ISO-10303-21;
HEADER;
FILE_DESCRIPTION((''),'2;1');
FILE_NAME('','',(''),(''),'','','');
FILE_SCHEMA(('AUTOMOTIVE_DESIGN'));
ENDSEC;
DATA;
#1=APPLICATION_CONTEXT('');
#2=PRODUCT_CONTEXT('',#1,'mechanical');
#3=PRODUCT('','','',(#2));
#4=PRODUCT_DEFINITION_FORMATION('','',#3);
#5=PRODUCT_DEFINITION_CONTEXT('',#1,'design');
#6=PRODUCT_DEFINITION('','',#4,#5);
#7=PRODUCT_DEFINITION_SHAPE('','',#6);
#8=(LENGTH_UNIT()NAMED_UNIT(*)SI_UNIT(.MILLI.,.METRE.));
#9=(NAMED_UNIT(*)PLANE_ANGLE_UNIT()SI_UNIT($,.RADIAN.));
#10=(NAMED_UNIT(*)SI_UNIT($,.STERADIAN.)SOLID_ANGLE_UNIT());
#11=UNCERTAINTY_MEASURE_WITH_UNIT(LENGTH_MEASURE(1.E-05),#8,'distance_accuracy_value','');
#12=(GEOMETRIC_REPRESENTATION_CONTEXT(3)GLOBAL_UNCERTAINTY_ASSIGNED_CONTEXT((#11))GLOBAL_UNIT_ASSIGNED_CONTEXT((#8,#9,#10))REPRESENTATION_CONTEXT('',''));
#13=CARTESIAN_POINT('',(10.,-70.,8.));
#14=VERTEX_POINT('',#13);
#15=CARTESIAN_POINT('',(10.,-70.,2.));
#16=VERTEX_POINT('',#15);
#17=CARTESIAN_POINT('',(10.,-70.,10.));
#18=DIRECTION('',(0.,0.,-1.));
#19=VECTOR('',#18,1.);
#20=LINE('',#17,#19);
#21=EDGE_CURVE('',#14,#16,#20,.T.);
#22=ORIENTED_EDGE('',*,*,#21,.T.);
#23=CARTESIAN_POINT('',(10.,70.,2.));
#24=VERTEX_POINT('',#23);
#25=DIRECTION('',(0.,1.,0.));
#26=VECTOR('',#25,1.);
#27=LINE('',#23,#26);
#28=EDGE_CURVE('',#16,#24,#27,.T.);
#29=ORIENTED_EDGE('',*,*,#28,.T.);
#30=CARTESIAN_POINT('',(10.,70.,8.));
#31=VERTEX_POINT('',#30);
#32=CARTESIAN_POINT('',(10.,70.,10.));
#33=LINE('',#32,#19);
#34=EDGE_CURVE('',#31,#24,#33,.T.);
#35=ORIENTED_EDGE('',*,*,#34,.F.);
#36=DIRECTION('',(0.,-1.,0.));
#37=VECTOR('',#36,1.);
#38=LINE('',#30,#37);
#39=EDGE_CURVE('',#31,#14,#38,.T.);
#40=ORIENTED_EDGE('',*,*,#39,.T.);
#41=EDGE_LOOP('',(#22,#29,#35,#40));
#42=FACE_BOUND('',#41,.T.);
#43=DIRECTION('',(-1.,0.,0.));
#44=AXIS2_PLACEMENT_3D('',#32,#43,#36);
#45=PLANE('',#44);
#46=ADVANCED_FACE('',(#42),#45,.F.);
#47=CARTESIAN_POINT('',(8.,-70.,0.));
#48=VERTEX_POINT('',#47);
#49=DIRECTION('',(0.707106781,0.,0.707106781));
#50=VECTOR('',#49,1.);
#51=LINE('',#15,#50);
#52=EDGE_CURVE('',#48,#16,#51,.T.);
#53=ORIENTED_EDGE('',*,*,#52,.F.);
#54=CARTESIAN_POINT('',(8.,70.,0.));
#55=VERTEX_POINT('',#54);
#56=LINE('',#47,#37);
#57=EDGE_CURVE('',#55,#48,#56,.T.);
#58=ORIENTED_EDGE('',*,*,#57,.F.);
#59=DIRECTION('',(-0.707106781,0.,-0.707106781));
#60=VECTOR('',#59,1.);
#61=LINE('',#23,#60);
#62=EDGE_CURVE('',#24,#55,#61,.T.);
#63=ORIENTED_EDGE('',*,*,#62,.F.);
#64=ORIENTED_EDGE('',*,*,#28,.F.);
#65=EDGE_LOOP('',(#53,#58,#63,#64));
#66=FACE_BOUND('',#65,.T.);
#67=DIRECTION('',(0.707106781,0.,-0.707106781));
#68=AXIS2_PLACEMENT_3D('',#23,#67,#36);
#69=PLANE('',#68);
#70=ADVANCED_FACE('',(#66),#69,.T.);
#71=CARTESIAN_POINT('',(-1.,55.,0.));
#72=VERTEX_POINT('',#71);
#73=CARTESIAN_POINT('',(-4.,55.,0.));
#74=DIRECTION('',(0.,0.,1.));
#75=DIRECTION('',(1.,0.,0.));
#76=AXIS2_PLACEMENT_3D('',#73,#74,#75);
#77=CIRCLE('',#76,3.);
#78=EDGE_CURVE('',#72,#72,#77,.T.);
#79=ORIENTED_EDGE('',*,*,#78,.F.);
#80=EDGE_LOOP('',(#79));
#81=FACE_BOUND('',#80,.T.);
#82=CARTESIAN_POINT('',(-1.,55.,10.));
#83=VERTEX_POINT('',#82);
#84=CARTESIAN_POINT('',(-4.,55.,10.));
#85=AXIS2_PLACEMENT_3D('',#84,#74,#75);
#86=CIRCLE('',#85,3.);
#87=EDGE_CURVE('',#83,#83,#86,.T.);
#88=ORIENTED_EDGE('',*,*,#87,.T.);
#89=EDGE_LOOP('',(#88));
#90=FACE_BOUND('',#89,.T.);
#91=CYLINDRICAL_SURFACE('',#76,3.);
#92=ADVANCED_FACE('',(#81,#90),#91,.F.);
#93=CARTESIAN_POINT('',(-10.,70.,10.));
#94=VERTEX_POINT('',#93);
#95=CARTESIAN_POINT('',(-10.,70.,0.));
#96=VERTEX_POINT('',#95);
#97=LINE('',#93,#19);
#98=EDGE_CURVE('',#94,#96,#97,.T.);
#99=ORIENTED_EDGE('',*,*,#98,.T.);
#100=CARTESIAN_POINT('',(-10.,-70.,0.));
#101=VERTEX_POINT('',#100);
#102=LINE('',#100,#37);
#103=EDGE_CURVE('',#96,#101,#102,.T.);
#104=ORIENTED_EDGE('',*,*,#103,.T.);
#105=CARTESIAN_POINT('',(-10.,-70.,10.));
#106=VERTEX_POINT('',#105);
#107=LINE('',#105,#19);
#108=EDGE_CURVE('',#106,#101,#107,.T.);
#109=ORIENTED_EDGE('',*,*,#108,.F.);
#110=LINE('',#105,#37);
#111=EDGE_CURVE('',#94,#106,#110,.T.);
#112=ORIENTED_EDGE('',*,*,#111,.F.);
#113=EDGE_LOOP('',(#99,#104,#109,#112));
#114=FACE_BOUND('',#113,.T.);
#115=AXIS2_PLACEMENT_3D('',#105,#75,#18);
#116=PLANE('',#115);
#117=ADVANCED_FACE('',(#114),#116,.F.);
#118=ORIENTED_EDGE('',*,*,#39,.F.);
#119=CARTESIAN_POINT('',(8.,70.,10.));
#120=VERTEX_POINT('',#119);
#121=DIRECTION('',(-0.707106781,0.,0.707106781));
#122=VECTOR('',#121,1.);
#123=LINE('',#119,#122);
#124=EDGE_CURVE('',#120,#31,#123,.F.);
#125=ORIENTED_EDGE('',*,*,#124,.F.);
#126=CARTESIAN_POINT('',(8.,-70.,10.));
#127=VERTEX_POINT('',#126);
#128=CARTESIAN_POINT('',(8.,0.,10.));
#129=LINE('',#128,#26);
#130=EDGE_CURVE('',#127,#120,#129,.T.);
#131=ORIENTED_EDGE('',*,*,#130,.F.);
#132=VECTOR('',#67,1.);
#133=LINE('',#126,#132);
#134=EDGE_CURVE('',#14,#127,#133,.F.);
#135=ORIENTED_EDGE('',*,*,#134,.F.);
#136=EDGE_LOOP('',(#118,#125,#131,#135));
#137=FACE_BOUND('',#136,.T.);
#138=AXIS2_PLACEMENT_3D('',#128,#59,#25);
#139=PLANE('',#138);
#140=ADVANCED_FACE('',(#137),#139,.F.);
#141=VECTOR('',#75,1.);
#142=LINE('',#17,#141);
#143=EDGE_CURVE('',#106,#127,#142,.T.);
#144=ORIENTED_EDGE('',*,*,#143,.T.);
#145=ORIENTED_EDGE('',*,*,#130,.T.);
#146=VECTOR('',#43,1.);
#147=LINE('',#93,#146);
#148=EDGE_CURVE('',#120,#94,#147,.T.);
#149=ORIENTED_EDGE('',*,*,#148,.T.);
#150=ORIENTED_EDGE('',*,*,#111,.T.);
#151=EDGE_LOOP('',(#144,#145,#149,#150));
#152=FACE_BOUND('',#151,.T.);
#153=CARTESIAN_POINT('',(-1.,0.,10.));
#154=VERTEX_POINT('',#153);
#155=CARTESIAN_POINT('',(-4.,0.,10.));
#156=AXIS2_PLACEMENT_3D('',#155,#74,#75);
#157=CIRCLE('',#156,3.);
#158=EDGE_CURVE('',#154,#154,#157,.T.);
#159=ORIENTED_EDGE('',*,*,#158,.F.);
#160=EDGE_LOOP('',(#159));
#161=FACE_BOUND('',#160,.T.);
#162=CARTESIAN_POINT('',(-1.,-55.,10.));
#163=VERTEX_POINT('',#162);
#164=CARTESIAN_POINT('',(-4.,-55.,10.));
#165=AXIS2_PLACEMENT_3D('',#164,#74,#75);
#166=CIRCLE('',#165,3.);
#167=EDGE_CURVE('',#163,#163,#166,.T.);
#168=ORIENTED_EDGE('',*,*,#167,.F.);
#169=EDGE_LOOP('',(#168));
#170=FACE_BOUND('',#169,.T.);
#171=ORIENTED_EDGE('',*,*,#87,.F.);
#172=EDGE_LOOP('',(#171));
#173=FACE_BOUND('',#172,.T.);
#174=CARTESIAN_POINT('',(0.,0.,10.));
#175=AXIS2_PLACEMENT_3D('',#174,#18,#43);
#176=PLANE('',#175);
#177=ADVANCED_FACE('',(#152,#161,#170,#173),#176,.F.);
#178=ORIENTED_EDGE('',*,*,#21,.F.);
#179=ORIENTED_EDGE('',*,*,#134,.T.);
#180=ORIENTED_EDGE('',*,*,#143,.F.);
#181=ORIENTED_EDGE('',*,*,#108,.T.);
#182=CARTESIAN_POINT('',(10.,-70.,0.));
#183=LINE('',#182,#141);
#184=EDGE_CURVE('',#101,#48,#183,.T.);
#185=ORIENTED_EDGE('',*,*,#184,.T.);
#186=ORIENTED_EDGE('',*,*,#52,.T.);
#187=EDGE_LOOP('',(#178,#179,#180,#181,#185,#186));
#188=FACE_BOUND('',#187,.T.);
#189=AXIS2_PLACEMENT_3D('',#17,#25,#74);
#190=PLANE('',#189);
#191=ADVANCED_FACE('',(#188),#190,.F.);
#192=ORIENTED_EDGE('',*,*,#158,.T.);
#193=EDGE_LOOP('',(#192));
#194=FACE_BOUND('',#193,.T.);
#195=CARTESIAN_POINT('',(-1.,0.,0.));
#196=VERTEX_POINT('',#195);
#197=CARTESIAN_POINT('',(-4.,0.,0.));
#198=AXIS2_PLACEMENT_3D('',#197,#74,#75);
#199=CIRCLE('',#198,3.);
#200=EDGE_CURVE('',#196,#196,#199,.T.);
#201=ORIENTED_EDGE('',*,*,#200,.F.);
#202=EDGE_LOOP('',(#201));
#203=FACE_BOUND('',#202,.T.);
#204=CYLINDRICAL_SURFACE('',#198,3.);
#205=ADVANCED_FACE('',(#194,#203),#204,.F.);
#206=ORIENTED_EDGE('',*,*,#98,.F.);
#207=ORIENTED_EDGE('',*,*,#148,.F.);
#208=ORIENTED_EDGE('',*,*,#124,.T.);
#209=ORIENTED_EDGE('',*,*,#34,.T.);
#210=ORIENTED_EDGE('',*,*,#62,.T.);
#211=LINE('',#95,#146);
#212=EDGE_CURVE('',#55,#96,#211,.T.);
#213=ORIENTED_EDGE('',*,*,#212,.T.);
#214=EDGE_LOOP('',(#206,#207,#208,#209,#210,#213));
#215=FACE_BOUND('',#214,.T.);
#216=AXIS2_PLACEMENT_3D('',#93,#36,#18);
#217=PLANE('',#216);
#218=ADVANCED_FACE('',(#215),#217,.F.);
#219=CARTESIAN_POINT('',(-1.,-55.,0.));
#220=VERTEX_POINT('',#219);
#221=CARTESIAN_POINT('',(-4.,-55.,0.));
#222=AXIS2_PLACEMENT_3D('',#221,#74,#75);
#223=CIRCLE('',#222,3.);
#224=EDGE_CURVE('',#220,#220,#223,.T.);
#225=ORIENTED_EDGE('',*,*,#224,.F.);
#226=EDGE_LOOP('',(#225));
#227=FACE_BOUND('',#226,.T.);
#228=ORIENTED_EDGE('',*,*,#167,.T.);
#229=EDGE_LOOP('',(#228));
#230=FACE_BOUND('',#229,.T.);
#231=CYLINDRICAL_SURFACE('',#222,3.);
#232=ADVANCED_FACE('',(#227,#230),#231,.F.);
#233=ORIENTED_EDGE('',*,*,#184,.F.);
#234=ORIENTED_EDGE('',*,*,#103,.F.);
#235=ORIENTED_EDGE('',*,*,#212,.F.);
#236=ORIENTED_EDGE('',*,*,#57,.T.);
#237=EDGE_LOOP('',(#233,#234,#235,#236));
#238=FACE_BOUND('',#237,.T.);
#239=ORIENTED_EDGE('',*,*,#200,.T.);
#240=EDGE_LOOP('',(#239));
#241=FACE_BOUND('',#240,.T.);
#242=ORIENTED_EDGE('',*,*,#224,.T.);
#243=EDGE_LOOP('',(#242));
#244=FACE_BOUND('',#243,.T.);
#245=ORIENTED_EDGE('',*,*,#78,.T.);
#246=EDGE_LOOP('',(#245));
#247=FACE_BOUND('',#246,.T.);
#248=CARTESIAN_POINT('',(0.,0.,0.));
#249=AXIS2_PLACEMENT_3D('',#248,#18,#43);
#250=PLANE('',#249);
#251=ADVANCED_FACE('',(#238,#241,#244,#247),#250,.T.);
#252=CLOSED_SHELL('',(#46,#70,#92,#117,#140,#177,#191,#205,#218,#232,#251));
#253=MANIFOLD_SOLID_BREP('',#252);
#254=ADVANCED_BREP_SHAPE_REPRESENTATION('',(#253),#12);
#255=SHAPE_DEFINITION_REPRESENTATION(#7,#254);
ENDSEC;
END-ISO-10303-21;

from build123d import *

# Parameters (mm, degrees)
SKETCH1_W           = 20
SKETCH1_H           = 140
BOSS_EXTRUDE1_DEPTH = 10
CHAMFER1_SIZE       = 2
SKETCH2_R           = 3
CUT_EXTRUDE1_DEPTH  = 11


with BuildPart() as part:
    # Sketch1 → Boss-Extrude1 (new body)
    with BuildSketch(Plane.XY):
        Rectangle(SKETCH1_W, SKETCH1_H)
    extrude(amount=BOSS_EXTRUDE1_DEPTH)

    # Chamfer1
    chamfer1_edges = [part.edges().sort_by_distance(p)[0] for p in [
        (10, 0, 0),
        (10, 0, 10),
    ]]
    chamfer(chamfer1_edges, length=CHAMFER1_SIZE)

    # Sketch2 → Cut-Extrude1 (cut, through all)
    with BuildSketch(Plane.XY.offset(10)):
        with Locations((-4, 55)):
            Circle(SKETCH2_R)
        with Locations((-4, 0)):
            Circle(SKETCH2_R)
        with Locations((-4, -55)):
            Circle(SKETCH2_R)
    extrude(amount=-CUT_EXTRUDE1_DEPTH, mode=Mode.SUBTRACT)


solid = part.part
